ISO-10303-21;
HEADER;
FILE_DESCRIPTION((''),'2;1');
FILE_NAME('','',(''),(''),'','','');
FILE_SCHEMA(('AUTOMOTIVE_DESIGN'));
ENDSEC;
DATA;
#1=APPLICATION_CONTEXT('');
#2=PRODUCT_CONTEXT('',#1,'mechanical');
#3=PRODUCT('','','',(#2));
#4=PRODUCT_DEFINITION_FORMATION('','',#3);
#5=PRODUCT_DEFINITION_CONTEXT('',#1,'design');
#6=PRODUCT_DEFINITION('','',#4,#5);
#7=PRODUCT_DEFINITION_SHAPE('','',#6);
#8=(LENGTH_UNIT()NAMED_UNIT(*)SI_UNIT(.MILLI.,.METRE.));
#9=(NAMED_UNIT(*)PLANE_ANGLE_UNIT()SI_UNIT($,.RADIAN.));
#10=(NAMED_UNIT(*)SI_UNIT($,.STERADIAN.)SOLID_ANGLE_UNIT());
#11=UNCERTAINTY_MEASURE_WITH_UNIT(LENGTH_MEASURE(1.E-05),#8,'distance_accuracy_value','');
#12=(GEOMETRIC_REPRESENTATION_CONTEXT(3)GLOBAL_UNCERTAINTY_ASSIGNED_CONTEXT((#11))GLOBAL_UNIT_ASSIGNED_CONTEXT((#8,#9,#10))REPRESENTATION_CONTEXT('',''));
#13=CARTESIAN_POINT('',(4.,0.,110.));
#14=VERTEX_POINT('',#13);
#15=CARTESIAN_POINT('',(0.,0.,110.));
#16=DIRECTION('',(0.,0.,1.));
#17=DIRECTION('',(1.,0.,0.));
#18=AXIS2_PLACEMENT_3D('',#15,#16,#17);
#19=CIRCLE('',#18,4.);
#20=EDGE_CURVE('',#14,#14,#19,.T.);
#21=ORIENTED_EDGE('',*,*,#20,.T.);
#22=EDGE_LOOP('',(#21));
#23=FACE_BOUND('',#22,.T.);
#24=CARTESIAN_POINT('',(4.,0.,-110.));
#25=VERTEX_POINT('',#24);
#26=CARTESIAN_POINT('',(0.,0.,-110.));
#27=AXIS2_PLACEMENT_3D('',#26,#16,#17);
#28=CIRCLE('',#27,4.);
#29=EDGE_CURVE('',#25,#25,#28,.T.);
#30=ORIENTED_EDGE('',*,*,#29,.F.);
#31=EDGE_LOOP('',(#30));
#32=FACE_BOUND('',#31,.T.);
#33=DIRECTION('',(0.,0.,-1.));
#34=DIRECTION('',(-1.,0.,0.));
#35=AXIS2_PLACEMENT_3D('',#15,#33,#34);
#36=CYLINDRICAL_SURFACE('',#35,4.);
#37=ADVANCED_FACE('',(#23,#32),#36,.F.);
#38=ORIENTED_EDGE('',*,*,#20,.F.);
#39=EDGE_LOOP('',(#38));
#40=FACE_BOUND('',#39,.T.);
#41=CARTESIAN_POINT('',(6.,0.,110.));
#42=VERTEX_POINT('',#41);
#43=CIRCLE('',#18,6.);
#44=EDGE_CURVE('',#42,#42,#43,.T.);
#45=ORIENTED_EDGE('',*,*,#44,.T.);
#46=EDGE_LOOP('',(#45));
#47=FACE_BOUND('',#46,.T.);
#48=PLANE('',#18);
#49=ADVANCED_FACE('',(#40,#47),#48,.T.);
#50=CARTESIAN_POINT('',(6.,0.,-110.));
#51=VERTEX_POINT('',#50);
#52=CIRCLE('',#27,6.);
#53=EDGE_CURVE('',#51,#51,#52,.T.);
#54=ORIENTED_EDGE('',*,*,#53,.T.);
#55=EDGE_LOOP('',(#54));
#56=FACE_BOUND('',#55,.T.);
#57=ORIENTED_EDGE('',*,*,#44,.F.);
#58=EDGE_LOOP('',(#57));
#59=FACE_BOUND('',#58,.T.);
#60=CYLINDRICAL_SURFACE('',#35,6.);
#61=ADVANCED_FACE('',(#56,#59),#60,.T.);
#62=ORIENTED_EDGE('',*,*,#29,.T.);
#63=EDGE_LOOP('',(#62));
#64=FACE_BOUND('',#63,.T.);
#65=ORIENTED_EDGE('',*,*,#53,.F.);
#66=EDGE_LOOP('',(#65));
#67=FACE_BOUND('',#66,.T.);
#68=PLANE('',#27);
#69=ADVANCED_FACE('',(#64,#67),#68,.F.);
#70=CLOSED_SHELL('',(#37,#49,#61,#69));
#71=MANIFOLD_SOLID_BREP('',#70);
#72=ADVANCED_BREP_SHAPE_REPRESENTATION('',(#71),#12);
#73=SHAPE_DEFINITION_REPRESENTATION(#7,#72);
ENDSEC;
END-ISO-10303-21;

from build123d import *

# Parameters (mm, degrees)
SKETCH1_R           = 6
SKETCH1_R_2         = 4
BOSS_EXTRUDE1_DEPTH = 110


with BuildPart() as part:
    # Sketch1 → Boss-Extrude1 (new, symmetric)
    with BuildSketch(Plane.XY):
        Circle(SKETCH1_R)
        Circle(SKETCH1_R_2, mode=Mode.SUBTRACT)
    extrude(amount=BOSS_EXTRUDE1_DEPTH, both=True)


solid = part.part
